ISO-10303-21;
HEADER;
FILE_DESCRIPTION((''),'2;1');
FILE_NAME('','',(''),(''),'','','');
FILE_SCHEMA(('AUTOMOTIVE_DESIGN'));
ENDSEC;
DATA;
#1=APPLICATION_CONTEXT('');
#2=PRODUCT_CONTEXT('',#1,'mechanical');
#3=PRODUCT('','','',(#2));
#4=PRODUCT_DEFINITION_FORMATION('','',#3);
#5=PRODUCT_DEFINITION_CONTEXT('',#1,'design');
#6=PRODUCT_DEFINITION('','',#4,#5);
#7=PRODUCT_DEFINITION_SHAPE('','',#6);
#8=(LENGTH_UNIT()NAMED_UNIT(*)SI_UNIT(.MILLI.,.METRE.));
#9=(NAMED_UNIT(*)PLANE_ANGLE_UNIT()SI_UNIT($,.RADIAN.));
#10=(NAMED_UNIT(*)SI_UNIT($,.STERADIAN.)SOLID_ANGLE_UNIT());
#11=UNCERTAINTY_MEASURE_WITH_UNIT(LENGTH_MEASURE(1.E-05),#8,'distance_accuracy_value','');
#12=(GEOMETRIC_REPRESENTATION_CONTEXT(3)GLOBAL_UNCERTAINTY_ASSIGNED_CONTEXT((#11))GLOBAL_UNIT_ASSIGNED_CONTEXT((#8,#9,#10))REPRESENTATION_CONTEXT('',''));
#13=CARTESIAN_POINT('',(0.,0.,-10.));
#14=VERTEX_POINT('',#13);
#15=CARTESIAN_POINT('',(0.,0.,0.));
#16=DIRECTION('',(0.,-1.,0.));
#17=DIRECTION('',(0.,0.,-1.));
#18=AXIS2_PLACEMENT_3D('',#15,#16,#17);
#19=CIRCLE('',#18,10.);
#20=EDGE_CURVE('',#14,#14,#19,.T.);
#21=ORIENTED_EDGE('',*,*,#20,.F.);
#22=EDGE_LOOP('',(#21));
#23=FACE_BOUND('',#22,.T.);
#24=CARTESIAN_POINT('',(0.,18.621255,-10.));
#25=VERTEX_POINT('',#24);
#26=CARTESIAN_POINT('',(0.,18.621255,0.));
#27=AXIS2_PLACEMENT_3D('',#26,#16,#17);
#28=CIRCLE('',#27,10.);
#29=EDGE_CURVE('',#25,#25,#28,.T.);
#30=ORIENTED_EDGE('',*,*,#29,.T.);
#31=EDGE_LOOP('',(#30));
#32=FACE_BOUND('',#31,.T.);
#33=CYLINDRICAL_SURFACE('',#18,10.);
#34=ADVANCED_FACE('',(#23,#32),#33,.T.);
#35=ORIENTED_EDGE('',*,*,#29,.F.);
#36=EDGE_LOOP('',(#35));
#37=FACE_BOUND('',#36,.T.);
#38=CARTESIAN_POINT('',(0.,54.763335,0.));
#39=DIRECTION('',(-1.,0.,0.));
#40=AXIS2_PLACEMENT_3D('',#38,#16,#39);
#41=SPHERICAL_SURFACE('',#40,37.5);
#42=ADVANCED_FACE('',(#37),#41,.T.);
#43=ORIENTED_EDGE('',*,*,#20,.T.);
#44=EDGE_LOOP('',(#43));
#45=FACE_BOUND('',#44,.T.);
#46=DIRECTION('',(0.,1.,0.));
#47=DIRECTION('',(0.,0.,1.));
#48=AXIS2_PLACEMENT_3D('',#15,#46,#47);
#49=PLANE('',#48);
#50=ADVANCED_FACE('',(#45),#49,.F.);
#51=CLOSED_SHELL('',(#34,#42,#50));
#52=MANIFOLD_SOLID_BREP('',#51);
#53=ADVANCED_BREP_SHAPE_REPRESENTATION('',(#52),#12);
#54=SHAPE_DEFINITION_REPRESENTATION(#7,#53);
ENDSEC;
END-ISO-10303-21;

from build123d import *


with BuildPart() as part:
    # Sketch2 → Revolve1 (revolve)
    with BuildSketch(Plane.XY):
        with BuildLine():
            Line((0, 0), (0, 17.26333545))
            Line((0, 17.26333545), (0, 92.26333545))
            ThreePointArc((0, 92.26333545), (-37.158969493, 59.809223497), (-10, 18.621254713))
            Line((-10, 18.621254713), (-10, 0))
            Line((-10, 0), (0, 0))
        make_face()
    revolve(axis=Axis((0, 0, 0), (0, 1, 0)))


solid = part.part
